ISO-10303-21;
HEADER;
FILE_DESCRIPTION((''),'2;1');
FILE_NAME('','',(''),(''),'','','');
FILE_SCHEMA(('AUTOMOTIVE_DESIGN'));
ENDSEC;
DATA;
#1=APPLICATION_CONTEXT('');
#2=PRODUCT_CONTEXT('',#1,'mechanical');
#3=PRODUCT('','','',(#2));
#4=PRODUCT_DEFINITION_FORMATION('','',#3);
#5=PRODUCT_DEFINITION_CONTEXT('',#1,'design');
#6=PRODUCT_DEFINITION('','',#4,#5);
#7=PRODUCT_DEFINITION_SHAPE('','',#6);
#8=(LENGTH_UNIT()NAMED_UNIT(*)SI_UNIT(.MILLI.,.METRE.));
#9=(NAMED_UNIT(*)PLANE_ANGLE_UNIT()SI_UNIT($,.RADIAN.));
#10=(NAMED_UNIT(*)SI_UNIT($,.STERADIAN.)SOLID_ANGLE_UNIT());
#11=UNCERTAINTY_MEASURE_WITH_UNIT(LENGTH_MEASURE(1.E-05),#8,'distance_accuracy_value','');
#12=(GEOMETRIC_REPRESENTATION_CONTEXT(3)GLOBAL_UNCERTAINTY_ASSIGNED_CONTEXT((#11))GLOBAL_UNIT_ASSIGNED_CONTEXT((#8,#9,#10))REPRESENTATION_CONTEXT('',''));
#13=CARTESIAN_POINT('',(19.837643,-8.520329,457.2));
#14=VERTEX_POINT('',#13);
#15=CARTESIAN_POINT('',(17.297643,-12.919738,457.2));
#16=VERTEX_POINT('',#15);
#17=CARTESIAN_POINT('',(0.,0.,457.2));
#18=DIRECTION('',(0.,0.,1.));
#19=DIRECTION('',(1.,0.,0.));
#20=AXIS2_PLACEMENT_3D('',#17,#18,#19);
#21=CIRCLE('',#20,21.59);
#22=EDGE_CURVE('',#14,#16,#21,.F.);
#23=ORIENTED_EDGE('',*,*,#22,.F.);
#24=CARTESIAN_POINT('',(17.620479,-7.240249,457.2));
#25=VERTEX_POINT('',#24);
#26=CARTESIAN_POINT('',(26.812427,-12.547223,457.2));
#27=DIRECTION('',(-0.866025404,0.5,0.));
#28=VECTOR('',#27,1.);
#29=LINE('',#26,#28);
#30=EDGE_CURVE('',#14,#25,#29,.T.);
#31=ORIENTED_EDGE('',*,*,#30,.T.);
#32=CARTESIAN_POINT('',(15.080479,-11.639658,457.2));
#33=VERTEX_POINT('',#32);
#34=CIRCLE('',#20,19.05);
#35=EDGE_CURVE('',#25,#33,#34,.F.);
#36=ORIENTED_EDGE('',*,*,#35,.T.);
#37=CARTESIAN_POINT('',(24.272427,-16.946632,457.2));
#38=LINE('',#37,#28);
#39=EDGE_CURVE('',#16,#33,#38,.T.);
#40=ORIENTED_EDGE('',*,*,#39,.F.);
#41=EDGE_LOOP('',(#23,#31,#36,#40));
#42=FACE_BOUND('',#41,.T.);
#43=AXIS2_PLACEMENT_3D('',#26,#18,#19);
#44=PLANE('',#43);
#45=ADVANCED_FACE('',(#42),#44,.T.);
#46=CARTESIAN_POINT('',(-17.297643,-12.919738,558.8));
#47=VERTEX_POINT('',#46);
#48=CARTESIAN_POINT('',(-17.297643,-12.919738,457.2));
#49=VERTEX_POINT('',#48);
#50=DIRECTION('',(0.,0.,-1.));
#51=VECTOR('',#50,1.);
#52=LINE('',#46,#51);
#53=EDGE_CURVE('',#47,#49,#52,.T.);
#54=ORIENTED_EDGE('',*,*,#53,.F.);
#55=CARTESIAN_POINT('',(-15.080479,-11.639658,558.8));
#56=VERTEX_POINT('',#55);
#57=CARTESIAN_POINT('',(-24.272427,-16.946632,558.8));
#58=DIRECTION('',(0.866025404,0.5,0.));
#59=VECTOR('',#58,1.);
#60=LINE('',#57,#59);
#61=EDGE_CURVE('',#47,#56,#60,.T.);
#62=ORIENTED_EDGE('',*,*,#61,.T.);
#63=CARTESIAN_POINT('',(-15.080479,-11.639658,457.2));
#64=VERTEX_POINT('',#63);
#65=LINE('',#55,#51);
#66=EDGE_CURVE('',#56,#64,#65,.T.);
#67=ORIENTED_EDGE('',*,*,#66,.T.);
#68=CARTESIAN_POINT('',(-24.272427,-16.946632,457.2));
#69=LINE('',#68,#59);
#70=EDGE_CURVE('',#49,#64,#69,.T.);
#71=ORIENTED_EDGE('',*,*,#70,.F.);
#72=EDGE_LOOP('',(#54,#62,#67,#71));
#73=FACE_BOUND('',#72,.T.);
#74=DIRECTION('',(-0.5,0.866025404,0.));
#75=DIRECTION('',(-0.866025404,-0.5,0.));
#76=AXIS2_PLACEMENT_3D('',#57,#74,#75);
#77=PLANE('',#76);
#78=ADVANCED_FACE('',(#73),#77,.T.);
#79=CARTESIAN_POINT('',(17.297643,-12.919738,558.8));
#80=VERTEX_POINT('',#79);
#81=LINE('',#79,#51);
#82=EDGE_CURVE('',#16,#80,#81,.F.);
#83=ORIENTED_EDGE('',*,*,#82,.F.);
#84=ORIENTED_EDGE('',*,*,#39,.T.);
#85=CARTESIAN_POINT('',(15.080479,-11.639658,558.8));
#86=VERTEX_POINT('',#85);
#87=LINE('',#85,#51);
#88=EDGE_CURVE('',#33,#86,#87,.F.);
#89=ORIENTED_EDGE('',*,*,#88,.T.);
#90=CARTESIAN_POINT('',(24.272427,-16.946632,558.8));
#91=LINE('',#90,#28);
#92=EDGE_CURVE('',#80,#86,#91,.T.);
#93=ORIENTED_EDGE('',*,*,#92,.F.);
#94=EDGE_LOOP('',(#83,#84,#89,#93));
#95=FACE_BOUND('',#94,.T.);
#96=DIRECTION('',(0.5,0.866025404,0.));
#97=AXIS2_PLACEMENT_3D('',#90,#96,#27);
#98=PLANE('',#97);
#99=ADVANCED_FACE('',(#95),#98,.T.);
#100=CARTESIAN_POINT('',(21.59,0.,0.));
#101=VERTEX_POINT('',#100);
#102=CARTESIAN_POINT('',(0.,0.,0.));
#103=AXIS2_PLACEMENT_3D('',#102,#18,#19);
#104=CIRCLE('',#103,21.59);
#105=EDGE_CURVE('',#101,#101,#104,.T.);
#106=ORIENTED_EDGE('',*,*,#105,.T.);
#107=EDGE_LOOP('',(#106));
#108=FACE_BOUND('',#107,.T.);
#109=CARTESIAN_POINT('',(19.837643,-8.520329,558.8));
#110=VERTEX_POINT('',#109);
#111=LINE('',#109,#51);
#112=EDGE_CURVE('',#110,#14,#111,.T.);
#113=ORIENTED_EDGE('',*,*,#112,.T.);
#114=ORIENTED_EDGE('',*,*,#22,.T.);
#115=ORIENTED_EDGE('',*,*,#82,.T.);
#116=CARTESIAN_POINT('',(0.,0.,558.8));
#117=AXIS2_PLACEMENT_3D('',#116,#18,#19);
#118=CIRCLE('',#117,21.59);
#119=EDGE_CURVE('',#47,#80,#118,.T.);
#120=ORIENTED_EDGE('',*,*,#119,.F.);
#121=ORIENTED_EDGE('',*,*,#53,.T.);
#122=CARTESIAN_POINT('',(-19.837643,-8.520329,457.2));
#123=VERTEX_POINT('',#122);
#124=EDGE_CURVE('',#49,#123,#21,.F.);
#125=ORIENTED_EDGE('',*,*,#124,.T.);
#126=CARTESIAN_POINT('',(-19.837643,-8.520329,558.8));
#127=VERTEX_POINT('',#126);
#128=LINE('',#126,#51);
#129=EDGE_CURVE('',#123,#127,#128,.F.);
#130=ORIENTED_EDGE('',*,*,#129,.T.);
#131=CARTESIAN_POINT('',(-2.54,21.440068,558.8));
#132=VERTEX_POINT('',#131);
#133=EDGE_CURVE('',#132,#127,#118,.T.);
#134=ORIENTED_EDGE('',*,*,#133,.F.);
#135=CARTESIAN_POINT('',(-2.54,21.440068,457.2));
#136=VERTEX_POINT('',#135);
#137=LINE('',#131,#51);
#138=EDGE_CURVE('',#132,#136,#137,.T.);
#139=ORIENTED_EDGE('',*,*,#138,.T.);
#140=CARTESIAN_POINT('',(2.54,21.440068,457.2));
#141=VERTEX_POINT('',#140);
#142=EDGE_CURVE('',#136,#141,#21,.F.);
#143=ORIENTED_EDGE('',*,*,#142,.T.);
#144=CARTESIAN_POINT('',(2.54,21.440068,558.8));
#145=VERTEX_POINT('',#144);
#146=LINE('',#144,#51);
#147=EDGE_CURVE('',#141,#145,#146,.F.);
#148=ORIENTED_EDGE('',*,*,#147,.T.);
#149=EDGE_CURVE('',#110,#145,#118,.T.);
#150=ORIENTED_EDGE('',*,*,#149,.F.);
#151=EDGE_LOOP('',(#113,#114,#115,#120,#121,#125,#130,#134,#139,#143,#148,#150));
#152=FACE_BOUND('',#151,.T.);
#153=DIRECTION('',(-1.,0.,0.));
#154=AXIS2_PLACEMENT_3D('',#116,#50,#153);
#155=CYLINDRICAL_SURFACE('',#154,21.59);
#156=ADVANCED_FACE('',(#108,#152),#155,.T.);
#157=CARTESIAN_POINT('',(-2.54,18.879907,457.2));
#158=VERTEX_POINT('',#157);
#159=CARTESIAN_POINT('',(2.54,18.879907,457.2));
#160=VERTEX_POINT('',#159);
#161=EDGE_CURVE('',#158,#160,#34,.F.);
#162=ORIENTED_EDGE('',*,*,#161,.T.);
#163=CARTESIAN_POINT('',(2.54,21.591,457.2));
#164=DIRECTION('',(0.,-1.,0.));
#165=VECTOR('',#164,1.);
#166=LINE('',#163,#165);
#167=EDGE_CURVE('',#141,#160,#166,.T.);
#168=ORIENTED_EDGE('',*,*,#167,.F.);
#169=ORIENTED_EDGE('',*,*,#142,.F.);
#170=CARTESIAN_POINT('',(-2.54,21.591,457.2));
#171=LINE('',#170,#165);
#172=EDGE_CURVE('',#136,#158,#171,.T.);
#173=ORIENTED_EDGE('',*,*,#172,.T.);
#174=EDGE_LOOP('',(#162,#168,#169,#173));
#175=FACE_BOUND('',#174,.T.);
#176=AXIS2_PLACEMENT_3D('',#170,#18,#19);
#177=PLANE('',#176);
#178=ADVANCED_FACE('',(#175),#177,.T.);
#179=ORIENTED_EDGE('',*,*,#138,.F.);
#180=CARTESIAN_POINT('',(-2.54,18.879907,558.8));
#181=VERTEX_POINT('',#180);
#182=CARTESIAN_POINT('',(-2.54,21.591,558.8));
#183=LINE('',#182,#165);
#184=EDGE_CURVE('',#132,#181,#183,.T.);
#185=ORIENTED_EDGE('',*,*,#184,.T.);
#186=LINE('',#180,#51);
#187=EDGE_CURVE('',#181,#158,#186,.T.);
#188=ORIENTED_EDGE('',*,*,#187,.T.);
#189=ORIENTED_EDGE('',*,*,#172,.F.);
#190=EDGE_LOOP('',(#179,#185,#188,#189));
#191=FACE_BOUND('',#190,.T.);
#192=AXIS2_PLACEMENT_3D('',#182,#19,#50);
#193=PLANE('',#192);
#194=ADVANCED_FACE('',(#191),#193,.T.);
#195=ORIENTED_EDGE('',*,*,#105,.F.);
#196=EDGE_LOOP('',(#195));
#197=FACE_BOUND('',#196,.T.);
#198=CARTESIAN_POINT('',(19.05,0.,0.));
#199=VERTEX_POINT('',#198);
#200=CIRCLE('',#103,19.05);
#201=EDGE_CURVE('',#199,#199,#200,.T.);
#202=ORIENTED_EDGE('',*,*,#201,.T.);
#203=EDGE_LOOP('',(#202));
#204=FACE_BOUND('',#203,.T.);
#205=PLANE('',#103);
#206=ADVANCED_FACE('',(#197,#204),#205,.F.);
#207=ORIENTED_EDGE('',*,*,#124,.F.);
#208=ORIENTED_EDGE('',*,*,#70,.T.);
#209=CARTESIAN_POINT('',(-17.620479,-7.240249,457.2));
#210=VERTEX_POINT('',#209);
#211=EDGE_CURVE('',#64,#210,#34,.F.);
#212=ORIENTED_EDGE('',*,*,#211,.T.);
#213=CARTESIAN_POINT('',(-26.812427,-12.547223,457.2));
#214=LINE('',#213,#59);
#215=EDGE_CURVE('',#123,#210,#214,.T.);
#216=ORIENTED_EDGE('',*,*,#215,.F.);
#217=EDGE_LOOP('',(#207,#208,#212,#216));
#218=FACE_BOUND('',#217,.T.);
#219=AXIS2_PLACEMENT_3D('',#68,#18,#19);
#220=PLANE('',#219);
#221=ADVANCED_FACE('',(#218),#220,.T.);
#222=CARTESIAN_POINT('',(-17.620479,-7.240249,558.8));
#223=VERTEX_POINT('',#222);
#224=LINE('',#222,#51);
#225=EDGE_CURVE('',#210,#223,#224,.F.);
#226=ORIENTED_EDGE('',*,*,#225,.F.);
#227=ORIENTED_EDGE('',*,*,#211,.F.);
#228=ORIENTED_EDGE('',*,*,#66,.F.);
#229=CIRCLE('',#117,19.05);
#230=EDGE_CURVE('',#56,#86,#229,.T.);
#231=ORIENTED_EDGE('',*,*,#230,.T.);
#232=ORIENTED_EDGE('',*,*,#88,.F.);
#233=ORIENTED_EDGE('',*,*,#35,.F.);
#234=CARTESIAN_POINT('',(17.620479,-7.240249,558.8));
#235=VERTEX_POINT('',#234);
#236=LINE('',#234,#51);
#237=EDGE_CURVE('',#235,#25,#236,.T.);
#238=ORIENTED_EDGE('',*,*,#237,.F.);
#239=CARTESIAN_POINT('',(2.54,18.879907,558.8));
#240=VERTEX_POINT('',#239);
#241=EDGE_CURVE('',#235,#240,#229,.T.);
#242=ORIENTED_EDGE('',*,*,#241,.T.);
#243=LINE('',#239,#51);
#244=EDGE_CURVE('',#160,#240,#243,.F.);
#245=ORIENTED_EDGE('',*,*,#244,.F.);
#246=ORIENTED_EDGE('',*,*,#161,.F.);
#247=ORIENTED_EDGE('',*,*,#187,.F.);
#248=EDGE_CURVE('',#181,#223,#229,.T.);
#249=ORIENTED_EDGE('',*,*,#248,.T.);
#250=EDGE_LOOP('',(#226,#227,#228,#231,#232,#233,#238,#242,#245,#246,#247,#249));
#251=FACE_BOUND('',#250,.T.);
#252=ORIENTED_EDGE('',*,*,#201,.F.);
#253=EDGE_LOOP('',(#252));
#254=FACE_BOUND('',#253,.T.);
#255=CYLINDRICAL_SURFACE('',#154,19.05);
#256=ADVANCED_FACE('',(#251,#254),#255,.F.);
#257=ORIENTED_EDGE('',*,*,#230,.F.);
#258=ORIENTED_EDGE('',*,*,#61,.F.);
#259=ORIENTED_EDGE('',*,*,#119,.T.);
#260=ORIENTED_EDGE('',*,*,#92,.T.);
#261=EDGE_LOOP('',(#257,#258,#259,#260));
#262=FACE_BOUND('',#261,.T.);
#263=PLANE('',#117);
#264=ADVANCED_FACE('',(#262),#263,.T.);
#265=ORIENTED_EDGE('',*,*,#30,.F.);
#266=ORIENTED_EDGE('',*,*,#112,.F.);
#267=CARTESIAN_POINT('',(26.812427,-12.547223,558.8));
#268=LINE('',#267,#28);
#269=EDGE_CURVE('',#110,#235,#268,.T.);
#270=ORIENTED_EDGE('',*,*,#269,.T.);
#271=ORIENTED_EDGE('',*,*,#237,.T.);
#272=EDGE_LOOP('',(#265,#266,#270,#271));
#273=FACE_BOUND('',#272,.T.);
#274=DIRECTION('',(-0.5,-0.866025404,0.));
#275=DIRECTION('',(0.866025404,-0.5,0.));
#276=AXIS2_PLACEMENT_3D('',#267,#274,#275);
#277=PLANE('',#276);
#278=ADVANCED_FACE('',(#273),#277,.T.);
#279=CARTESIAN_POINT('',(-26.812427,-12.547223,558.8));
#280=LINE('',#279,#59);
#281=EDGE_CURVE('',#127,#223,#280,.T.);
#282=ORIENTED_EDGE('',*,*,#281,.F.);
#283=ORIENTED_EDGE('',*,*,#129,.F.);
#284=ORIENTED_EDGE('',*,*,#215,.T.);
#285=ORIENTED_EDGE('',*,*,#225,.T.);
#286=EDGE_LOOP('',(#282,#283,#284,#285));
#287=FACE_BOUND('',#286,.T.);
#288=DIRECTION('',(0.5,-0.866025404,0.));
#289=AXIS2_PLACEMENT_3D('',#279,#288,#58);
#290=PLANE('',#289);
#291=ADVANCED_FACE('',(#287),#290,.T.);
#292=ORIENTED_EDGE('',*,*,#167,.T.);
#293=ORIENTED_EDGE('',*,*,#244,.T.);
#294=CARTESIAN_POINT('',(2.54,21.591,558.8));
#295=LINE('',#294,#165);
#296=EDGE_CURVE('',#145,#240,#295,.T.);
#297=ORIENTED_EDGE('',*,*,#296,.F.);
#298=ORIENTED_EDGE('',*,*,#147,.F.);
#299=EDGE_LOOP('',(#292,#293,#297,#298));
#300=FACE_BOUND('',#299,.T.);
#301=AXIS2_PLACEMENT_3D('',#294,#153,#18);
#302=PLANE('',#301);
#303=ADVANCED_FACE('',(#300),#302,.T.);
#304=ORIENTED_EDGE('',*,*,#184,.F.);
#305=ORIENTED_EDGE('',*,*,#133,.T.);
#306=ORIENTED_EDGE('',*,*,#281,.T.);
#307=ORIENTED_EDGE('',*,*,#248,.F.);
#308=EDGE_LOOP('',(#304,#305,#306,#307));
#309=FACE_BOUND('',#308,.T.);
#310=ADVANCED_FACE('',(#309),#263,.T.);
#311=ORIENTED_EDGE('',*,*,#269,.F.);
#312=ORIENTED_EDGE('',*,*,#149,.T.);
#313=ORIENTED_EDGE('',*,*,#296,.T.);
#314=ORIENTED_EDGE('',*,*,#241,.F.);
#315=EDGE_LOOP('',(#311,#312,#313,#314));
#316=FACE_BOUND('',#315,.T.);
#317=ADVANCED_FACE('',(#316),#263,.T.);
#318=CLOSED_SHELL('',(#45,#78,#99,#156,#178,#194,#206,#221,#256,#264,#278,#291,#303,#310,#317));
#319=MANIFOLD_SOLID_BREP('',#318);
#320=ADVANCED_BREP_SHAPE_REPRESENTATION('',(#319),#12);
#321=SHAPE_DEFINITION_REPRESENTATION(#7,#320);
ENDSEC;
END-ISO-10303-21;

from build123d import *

# Parameters (mm, degrees)
SKETCH1_R               = 21.59
SKETCH1_R_2             = 19.05
BOSS_EXTRUDE1_DEPTH     = 558.8
CUT_EXTRUDE1_REACH      = 561.634
CUT_EXTRUDE1_END_RADIUS = 21.59
SKETCH2_W               = 5.08
SKETCH2_H               = 101.6
CIRPATTERN1_COUNT       = 3


with BuildPart() as part:
    # Sketch1 → Boss-Extrude1 (new body)
    with BuildSketch(Plane.XY):
        Circle(SKETCH1_R)
        Circle(SKETCH1_R_2, mode=Mode.SUBTRACT)
    extrude(amount=BOSS_EXTRUDE1_DEPTH)

    # Cut-Extrude1: up to this cylinder (the profile starts inside it)
    cut_extrude1_end = Plane(origin=(0, 0, 508), z_dir=(0, 0, -1)) * Cylinder(CUT_EXTRUDE1_END_RADIUS, 1167.448, mode=Mode.PRIVATE)
    # Sketch2 → Cut-Extrude1 (cut, up to the surface)
    with BuildSketch(Plane(origin=(0, 0, 0), x_dir=(1, 0, 0), z_dir=(0, 1, 0)), mode=Mode.PRIVATE) as cut_extrude1_sk1:
        with Locations((0, -508)):
            Rectangle(SKETCH2_W, SKETCH2_H)
    cut_extrude1_tool1 = extrude(cut_extrude1_sk1.sketch, amount=CUT_EXTRUDE1_REACH, mode=Mode.PRIVATE) & cut_extrude1_end
    cut_extrude1 = cut_extrude1_tool1.solids().sort_by_distance((0, 0, 508))[0]
    add(cut_extrude1, mode=Mode.SUBTRACT)

    # CirPattern1: Cut-Extrude1 ×3 about axis
    cirpattern1_axis = Axis((0, 0, 0), (0, 0, 1))
    for i in range(1, CIRPATTERN1_COUNT):
        add(cut_extrude1.rotate(cirpattern1_axis, i * 360 / CIRPATTERN1_COUNT), mode=Mode.SUBTRACT)


solid = part.part
